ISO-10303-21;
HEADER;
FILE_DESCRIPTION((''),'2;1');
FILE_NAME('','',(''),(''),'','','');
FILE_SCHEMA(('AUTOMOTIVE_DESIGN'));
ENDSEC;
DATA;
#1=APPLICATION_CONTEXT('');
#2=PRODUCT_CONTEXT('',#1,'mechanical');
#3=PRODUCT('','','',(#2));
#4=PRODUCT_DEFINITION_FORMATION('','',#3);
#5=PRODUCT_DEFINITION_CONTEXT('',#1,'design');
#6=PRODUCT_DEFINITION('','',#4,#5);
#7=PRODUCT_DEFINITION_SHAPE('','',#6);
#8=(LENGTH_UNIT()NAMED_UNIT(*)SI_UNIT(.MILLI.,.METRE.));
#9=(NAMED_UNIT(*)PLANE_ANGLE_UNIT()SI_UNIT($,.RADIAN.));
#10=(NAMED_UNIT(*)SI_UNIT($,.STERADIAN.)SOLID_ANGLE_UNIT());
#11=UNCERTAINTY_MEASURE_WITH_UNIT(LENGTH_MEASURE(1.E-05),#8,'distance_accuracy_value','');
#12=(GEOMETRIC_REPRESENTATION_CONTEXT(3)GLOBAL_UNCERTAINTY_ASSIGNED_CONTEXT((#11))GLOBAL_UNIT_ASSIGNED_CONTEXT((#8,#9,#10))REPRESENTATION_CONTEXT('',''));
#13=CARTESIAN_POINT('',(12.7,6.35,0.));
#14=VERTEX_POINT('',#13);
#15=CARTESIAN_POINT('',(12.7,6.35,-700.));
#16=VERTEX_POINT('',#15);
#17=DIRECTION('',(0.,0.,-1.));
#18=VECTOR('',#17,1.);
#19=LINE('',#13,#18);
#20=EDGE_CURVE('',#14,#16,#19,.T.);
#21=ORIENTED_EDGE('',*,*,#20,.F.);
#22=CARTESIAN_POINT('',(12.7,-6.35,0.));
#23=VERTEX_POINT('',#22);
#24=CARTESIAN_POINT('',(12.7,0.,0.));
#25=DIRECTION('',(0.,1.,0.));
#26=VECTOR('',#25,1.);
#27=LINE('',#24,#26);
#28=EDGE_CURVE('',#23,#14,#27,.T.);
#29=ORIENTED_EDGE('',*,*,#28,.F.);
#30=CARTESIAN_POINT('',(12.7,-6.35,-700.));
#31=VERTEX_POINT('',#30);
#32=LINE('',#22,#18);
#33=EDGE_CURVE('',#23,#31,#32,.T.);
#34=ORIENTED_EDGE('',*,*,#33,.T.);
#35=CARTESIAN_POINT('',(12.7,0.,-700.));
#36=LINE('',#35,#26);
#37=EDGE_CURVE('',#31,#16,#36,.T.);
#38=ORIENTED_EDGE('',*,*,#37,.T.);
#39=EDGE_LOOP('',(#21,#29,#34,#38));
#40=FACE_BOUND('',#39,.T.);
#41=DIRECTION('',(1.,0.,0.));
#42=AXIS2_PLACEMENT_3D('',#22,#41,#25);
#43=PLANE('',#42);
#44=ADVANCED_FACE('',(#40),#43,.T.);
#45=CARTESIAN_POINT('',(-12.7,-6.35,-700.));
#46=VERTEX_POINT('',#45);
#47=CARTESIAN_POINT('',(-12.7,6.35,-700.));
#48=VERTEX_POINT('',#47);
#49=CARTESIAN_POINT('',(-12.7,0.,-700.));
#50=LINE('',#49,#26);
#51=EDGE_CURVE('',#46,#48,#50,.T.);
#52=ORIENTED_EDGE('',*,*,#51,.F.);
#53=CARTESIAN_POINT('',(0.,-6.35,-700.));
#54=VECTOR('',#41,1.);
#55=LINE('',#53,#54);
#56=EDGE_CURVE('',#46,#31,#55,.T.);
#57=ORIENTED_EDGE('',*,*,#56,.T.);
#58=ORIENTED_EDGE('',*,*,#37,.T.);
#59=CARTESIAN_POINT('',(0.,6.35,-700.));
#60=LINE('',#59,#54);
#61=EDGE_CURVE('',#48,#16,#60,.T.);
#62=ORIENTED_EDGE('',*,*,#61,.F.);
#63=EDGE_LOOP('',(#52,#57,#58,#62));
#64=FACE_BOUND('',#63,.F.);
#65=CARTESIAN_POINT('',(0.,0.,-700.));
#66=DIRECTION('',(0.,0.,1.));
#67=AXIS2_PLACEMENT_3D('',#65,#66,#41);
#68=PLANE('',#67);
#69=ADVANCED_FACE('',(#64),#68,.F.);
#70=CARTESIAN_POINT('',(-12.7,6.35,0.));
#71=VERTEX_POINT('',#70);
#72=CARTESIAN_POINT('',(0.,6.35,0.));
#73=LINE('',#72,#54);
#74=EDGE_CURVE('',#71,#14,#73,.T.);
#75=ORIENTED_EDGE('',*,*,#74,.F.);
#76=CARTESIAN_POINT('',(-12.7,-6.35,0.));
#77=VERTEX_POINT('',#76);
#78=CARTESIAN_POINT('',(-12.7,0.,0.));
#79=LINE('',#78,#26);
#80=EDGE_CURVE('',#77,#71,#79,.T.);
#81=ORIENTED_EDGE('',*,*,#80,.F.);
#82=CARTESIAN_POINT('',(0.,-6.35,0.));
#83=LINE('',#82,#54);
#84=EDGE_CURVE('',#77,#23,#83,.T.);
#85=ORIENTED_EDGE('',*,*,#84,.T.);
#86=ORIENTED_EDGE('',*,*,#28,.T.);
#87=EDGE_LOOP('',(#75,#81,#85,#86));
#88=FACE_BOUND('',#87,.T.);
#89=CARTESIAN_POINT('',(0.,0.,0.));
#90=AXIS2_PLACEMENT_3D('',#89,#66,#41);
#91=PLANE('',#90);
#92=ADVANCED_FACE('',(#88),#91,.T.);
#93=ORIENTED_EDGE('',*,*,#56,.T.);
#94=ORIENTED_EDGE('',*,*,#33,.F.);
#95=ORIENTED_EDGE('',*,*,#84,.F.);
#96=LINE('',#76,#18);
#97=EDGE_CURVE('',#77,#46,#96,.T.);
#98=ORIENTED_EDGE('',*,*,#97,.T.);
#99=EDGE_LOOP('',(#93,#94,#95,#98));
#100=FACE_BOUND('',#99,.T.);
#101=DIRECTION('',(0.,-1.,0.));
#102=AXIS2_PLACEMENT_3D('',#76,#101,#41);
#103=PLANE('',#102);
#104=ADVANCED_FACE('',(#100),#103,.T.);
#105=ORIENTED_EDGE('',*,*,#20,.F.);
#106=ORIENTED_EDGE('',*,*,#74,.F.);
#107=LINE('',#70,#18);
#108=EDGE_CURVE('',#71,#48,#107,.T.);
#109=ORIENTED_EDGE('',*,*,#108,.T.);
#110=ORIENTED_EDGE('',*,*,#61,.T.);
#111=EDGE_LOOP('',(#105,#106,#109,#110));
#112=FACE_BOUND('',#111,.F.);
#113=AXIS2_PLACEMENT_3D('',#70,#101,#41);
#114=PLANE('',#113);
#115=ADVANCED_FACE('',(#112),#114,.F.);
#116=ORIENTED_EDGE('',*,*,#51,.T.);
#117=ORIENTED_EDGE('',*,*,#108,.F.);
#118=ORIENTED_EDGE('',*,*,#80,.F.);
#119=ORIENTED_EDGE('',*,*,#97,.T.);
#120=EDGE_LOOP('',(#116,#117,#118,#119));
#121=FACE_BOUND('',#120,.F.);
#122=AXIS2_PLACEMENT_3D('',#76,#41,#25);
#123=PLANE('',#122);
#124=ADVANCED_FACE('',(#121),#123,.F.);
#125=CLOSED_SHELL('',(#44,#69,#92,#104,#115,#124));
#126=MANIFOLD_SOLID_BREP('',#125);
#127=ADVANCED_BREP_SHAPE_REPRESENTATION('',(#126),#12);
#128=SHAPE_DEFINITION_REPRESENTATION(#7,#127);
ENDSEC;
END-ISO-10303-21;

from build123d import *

# Parameters (mm, degrees)
CROQUIS1_W              = 25.4
CROQUIS1_H              = 12.7
SALIENTE_EXTRUIR1_DEPTH = 700


with BuildPart() as part:
    # Croquis1 → Saliente-Extruir1 (new body)
    with BuildSketch(Plane.XY):
        Rectangle(CROQUIS1_W, CROQUIS1_H)
    extrude(amount=-SALIENTE_EXTRUIR1_DEPTH)


solid = part.part
